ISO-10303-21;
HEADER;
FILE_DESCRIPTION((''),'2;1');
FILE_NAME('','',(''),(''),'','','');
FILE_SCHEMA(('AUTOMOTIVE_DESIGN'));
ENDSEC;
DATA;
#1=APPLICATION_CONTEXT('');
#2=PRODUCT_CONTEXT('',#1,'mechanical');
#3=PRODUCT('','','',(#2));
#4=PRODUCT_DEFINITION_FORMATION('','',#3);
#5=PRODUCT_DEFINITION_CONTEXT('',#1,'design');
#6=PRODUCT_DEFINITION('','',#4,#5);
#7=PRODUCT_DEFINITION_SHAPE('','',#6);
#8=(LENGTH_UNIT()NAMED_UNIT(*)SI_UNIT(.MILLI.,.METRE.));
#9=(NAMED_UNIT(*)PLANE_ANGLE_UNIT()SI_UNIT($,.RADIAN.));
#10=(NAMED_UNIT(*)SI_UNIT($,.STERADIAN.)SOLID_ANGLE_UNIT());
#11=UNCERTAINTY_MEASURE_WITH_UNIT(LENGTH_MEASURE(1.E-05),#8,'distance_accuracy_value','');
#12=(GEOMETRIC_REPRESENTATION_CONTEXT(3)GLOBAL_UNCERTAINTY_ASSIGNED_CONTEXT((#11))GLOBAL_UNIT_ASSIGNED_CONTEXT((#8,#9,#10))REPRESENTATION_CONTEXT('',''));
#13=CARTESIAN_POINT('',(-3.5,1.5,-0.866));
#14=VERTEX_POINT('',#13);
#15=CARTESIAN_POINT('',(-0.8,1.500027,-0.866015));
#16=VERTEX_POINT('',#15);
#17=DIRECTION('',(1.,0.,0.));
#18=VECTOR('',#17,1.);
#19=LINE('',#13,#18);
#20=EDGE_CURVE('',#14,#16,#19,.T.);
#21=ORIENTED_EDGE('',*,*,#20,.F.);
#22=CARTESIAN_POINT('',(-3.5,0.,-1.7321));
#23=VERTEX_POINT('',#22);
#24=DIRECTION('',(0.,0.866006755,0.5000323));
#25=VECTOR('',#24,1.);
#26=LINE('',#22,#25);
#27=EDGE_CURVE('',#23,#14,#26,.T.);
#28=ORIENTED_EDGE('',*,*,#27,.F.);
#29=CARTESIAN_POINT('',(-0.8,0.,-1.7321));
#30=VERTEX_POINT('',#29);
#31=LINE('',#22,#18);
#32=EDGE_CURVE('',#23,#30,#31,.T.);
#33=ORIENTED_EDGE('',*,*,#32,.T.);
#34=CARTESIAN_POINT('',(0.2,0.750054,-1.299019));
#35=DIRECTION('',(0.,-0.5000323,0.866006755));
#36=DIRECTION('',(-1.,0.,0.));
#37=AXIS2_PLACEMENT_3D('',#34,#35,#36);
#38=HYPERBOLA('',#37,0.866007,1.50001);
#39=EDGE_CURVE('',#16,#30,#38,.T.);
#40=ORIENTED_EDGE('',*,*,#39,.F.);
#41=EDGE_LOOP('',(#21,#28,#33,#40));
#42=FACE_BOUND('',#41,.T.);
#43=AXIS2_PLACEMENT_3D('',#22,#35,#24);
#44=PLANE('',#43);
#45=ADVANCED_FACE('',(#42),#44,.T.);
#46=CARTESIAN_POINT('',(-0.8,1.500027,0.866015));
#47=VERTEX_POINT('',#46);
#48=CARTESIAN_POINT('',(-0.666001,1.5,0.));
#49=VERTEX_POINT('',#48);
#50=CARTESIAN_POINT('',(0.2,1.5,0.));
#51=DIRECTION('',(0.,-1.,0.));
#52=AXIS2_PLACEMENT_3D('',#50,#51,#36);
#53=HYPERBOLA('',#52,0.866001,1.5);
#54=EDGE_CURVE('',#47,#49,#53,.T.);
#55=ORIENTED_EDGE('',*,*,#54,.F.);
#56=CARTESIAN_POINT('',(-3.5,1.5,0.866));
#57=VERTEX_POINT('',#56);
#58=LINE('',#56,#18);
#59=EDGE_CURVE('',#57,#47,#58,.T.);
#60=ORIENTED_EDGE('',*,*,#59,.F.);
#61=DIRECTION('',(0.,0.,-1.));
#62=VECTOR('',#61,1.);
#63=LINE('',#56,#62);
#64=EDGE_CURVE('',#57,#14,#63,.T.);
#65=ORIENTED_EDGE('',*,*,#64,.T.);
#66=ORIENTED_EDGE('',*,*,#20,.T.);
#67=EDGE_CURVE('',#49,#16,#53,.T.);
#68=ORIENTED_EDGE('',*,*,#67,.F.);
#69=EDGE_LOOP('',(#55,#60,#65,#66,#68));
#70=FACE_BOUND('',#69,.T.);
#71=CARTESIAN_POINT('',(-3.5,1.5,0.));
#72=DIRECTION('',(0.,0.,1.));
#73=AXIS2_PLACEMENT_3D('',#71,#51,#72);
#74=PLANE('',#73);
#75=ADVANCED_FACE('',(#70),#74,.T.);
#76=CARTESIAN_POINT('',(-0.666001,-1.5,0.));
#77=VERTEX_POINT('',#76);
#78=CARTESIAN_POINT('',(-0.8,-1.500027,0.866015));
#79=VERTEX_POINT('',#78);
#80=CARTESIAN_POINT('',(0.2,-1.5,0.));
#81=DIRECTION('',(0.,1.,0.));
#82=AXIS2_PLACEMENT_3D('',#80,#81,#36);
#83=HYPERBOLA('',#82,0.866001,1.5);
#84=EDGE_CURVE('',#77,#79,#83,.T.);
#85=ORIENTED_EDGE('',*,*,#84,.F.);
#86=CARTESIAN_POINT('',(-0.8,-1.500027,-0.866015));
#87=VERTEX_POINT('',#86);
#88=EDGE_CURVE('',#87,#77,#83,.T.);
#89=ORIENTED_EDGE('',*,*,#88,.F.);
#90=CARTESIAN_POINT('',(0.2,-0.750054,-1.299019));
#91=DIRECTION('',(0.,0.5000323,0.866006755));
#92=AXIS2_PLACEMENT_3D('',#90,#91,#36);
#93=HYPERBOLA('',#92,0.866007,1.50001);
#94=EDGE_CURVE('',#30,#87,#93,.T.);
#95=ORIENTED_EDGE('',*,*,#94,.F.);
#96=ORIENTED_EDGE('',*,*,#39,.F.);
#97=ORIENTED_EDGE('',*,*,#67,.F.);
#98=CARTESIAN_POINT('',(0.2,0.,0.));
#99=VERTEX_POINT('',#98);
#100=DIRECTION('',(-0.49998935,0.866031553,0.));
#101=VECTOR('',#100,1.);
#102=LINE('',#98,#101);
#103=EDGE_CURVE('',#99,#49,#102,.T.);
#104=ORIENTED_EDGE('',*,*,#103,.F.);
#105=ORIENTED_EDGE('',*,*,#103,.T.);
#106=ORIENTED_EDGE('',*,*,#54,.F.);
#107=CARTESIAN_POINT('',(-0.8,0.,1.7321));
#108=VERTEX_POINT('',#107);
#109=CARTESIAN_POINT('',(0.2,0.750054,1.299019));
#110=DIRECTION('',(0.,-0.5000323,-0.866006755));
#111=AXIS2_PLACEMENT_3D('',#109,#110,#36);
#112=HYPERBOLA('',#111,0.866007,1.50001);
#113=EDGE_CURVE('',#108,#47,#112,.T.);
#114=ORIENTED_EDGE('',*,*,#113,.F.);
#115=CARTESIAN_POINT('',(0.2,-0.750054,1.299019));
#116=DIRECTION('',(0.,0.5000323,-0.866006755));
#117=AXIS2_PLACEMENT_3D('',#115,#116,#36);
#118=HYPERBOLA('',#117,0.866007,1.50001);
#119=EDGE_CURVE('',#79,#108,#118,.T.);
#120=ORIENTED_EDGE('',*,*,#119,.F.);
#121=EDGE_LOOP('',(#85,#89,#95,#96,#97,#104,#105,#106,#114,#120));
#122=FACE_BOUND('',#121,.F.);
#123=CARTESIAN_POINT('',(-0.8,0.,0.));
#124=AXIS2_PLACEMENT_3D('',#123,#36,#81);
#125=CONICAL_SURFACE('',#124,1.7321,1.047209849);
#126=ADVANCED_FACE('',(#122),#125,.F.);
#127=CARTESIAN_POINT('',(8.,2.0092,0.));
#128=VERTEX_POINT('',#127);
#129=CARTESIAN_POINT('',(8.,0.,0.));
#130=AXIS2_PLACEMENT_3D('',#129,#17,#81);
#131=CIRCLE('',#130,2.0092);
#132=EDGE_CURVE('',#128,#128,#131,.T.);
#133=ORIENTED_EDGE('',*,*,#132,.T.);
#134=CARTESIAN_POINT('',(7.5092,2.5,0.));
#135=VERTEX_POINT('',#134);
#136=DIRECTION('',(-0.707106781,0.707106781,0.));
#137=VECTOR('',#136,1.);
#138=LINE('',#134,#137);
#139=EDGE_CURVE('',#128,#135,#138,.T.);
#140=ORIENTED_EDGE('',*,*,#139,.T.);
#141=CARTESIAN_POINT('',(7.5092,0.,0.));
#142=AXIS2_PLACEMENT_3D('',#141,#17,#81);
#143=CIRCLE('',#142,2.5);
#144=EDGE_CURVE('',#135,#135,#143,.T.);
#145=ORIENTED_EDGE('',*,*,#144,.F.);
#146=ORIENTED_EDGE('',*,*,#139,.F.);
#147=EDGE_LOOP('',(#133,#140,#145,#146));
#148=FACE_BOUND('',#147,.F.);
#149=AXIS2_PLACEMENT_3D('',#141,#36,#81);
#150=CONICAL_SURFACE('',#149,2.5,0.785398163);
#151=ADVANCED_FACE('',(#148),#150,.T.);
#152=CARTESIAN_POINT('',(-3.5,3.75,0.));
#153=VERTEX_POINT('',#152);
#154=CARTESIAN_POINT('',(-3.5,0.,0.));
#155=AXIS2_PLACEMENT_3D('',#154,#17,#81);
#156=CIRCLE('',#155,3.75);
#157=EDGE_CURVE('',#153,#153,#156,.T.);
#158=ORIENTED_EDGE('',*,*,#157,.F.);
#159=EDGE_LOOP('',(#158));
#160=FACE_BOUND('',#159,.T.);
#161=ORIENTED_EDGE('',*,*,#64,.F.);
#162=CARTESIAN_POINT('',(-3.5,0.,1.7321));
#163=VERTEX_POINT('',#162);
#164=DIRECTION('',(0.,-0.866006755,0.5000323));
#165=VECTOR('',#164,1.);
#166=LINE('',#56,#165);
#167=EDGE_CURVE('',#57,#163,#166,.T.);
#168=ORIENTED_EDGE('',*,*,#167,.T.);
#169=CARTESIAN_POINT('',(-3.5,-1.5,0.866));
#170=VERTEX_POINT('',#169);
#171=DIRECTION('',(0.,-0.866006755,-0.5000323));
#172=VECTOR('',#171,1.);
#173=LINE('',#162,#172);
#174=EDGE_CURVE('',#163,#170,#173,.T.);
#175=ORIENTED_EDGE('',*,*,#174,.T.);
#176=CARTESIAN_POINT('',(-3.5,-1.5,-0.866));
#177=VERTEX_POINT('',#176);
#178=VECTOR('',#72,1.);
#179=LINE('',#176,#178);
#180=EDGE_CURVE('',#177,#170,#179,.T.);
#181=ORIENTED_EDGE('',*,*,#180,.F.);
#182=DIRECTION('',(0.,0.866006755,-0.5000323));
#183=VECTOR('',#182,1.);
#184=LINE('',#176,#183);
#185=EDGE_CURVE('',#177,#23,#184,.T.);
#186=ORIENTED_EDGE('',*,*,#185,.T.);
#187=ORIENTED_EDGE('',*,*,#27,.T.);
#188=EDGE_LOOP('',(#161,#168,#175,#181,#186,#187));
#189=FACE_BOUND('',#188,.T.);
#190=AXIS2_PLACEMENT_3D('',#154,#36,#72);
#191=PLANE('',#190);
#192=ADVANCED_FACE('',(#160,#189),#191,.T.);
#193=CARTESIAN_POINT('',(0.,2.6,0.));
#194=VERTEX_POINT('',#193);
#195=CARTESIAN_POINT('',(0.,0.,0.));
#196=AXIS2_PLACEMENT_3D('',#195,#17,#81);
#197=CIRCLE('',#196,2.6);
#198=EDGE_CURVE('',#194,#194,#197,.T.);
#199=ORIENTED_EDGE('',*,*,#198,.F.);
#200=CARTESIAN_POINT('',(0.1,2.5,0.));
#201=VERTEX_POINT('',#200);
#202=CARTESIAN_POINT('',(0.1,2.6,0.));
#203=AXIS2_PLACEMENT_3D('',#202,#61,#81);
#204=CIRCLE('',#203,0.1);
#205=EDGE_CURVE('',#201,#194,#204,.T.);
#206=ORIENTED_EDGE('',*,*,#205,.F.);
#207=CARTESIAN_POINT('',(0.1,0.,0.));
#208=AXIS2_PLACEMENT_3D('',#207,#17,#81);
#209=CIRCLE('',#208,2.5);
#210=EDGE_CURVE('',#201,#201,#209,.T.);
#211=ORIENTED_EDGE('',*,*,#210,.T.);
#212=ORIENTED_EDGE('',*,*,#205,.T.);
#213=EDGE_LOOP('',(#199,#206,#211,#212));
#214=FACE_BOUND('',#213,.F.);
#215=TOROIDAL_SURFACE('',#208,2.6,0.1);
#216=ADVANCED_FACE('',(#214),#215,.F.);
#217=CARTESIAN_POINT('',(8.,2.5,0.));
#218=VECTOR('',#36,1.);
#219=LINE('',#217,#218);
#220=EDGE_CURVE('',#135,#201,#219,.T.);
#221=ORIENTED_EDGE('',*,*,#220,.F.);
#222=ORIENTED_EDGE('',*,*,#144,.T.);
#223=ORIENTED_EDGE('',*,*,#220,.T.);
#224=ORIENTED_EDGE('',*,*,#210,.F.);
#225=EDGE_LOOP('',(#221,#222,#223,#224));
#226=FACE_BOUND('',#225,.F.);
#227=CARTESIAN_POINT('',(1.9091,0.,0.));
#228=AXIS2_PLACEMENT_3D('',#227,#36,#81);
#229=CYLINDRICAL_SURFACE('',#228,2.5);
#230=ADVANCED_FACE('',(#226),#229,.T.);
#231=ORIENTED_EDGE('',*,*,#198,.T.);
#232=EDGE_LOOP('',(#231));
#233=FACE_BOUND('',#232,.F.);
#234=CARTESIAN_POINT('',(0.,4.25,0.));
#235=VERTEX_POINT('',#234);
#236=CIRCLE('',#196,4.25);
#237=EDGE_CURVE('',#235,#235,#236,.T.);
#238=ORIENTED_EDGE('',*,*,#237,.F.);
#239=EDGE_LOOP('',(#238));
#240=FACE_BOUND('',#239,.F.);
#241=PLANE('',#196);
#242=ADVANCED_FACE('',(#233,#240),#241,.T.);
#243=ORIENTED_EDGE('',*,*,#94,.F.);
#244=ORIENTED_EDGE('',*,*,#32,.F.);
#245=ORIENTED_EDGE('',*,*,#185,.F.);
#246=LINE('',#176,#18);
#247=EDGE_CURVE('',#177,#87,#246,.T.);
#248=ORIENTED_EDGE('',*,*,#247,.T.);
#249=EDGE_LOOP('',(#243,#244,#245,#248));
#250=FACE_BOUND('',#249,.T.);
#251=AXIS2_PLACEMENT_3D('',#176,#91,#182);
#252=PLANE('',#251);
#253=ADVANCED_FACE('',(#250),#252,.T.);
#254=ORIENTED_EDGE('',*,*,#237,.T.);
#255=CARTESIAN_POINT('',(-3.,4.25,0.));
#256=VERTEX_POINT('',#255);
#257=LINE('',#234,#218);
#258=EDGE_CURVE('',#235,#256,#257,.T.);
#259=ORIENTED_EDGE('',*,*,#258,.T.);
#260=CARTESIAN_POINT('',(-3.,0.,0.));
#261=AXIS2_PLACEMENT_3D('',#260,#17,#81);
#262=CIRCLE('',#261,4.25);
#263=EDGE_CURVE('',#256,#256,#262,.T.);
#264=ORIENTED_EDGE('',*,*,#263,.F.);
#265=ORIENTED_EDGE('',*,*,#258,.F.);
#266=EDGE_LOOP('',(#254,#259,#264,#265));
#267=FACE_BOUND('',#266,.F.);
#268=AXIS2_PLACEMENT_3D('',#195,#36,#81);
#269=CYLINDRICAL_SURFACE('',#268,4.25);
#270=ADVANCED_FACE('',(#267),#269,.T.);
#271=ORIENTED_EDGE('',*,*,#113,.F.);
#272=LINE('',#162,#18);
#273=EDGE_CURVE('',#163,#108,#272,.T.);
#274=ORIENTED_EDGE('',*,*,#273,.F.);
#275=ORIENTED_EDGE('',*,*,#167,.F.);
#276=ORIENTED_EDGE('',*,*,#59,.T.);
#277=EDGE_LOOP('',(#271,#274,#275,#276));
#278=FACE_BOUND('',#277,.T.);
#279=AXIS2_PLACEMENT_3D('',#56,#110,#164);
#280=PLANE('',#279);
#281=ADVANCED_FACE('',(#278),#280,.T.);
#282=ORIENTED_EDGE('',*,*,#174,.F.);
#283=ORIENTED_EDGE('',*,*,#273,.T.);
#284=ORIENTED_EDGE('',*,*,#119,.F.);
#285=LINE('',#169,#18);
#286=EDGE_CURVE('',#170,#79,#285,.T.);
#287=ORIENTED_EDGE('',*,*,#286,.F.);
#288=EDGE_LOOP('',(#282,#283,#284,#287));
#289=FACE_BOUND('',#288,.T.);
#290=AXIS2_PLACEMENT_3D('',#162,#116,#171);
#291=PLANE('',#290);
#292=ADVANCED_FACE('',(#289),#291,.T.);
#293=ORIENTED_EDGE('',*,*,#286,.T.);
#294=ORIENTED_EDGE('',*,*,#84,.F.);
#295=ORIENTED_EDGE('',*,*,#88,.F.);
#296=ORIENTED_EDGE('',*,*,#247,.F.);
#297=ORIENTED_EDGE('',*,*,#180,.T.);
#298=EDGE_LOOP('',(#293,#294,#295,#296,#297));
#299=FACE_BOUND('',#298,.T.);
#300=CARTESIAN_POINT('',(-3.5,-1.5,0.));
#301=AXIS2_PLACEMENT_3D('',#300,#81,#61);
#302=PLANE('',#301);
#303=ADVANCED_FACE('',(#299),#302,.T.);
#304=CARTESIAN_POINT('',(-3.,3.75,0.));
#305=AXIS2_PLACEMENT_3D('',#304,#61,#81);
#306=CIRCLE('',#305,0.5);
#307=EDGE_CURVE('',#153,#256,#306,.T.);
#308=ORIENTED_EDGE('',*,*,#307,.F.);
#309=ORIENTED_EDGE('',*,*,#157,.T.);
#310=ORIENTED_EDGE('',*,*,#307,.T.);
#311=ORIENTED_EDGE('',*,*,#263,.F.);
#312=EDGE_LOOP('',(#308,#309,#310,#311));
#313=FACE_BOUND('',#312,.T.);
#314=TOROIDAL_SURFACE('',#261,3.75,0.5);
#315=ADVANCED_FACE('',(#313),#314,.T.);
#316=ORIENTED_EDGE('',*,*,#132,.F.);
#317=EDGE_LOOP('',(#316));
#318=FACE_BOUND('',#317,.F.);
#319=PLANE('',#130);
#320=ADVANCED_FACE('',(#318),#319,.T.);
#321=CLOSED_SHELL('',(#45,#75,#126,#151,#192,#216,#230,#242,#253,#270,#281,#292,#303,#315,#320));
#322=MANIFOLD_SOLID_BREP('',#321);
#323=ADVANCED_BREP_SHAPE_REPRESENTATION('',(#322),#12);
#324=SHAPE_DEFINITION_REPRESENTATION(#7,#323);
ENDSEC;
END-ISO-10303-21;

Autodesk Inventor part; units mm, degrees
ref_plane "YZ Plane" through (0, 0, 0) normal (1, 0, 0) x (0, 1, 0)
ref_plane "XZ Plane" through (0, 0, 0) normal (0, 1, 0) x (-1, 0, 0)
sketch "Skizze1" plane through (0, 0, 0) normal (0, 0, 1) x (1, 0, 0)
  line L0 (0.2, 0) -> (8, 0)
  line L1 (8, 0) -> (8, 2.5)
  line L2 (8, 2.5) -> (2.4, 2.5)
  line L3 (2.4, 2.5) -> (1.9091, 2.5)
  line L4 (1.9091, 2.5) -> (0, 2.5)
  line L5 (0, 2.5) -> (0, 4.25)
  line L6 (0, 4.25) -> (-3.5, 4.25)
  line L7 (-3.5, 4.25) -> (-3.5, 1.7321)
  line L8 (-3.5, 1.7321) -> (-0.8, 1.7321)
  line L9 (-0.8, 1.7321) -> (0.2, 0)
  line L10 (-5.8, 0) -> (10.3, 0) projected
  line L11 (0, -0.85) -> (0, 5.1) projected
  line L12 (2.4, 2.5) -> (0, 2.5) construction
  dimension "d1" = 5.6
  dimension "d2" = 0.4909
  dimension "d3" = 3.5
  dimension "d4" = 2.7
  dimension "d5" = 60
  dimension "d6" = 5
  dimension "d7" = 5
  dimension "d8" = 3.4641
  dimension "d9" = 8.5
  dimension "d26" = 8
revolve "Körper" add sketch "Skizze1" angle 360 about axis through (0.2, 0, 0) along (1, 0, 0) contours L9 L11 L4 L3 L2 L1 L0 | L9 L8 L7 L6 L5 L11
sketch "Skizze2" plane through (-3.5, 0, 0) normal (-1, 0, 0) x (0, 0, 1)
  circle A0 centre (0, 0) radius 1.7321 projected
  line L0 (0, -5.95) -> (0, 5.95) projected
  line L1 (-5.95, 0) -> (5.95, 0) projected
  line L2 (1.7321, 0) -> (0.866, -1.5)
  line L3 (0.866, -1.5) -> (-0.866, -1.5)
  line L4 (-0.866, -1.5) -> (-1.7321, 0)
  line L5 (-1.7321, 0) -> (-0.866, 1.5)
  line L6 (-0.866, 1.5) -> (0.866, 1.5)
  line L7 (0.866, 1.5) -> (1.7321, 0)
extrude "Loch" add sketch "Skizze2" against normal up to next contours L7 A0 | A0 L2 | L6 L0 A0 | A0 L0 L3 | L0 L6 A0 | A0 L3 L0 | L4 A0 | A0 L5
fillet "Rundung1" radius 0.5 1 edges at (-3.5, -4.25, 0)
thread "Gewinde" size "M5x0.8" class "6g" standard "ISO Metric profile" length 5.6
chamfer "Fase1" distance 0.4908 distance2 0.4908 1 edges at (8, -2.5, 0) measured on face at (8, -0.6238, -0.819)
ref_plane "Work Plane1" through (29, 0, 0) normal (0, -1, 0) x (1, 0, 0)
fillet "Fillet2" radius 0.1 1 edges at (0, -2.5, 0)
equation "\"d1\" = GEL"
equation "\"d3\" = KOH"
equation "\"d4\" = INTI"
equation "\"d6\" = GD"
equation "\"d7\" = BDM"
equation "\"d8\" = 1.1547 * SW"
equation "\"d9\" = KOD"
equation "\"d26\" = NLG"
equation "\"d30\" = R"
equation "\"d17\" = RR"
equation "\"d13\" = GEL"
equation "\"d15\" = -0.5 * SPD + 0.5 * GD"
equation "\"d16\" = GUL"
equation "\"GD\" = NND"
equation "\"NLG\" = 8"
equation "\"GEL\" = 5.6"
equation "\"KOD\" = 8.5"
equation "\"KOH\" = 3.5"
equation "\"INTI\" = 2.7"
equation "\"GAL\" = 0.61345 * PTC"
equation "\"GUL\" = 0.61345 * PTC"
equation "\"BDM\" = NND"
equation "\"SW\" = 3"
equation "\"RR\" = 0.5"
equation "\"SPD\" = NND - 1.2269 * PTC"
equation "\"R\" = 0.1"
equation "\"TOA\" = 30deg"
equation "\"GD1\" = THREADDIA - 1.2269 * PTC"
equation "\"THREADDIA\" = 5"
equation "\"FAWI\" = 45deg"
equation "\"ANG\" = 120deg"
equation "\"PTC\" = 0.8"
equation "\"NND\" = 5"
equation "\"E0\" = 1.155 * SW"
properties part number "DIN 7984 - M5 x 8" material "Stahl, weich"
